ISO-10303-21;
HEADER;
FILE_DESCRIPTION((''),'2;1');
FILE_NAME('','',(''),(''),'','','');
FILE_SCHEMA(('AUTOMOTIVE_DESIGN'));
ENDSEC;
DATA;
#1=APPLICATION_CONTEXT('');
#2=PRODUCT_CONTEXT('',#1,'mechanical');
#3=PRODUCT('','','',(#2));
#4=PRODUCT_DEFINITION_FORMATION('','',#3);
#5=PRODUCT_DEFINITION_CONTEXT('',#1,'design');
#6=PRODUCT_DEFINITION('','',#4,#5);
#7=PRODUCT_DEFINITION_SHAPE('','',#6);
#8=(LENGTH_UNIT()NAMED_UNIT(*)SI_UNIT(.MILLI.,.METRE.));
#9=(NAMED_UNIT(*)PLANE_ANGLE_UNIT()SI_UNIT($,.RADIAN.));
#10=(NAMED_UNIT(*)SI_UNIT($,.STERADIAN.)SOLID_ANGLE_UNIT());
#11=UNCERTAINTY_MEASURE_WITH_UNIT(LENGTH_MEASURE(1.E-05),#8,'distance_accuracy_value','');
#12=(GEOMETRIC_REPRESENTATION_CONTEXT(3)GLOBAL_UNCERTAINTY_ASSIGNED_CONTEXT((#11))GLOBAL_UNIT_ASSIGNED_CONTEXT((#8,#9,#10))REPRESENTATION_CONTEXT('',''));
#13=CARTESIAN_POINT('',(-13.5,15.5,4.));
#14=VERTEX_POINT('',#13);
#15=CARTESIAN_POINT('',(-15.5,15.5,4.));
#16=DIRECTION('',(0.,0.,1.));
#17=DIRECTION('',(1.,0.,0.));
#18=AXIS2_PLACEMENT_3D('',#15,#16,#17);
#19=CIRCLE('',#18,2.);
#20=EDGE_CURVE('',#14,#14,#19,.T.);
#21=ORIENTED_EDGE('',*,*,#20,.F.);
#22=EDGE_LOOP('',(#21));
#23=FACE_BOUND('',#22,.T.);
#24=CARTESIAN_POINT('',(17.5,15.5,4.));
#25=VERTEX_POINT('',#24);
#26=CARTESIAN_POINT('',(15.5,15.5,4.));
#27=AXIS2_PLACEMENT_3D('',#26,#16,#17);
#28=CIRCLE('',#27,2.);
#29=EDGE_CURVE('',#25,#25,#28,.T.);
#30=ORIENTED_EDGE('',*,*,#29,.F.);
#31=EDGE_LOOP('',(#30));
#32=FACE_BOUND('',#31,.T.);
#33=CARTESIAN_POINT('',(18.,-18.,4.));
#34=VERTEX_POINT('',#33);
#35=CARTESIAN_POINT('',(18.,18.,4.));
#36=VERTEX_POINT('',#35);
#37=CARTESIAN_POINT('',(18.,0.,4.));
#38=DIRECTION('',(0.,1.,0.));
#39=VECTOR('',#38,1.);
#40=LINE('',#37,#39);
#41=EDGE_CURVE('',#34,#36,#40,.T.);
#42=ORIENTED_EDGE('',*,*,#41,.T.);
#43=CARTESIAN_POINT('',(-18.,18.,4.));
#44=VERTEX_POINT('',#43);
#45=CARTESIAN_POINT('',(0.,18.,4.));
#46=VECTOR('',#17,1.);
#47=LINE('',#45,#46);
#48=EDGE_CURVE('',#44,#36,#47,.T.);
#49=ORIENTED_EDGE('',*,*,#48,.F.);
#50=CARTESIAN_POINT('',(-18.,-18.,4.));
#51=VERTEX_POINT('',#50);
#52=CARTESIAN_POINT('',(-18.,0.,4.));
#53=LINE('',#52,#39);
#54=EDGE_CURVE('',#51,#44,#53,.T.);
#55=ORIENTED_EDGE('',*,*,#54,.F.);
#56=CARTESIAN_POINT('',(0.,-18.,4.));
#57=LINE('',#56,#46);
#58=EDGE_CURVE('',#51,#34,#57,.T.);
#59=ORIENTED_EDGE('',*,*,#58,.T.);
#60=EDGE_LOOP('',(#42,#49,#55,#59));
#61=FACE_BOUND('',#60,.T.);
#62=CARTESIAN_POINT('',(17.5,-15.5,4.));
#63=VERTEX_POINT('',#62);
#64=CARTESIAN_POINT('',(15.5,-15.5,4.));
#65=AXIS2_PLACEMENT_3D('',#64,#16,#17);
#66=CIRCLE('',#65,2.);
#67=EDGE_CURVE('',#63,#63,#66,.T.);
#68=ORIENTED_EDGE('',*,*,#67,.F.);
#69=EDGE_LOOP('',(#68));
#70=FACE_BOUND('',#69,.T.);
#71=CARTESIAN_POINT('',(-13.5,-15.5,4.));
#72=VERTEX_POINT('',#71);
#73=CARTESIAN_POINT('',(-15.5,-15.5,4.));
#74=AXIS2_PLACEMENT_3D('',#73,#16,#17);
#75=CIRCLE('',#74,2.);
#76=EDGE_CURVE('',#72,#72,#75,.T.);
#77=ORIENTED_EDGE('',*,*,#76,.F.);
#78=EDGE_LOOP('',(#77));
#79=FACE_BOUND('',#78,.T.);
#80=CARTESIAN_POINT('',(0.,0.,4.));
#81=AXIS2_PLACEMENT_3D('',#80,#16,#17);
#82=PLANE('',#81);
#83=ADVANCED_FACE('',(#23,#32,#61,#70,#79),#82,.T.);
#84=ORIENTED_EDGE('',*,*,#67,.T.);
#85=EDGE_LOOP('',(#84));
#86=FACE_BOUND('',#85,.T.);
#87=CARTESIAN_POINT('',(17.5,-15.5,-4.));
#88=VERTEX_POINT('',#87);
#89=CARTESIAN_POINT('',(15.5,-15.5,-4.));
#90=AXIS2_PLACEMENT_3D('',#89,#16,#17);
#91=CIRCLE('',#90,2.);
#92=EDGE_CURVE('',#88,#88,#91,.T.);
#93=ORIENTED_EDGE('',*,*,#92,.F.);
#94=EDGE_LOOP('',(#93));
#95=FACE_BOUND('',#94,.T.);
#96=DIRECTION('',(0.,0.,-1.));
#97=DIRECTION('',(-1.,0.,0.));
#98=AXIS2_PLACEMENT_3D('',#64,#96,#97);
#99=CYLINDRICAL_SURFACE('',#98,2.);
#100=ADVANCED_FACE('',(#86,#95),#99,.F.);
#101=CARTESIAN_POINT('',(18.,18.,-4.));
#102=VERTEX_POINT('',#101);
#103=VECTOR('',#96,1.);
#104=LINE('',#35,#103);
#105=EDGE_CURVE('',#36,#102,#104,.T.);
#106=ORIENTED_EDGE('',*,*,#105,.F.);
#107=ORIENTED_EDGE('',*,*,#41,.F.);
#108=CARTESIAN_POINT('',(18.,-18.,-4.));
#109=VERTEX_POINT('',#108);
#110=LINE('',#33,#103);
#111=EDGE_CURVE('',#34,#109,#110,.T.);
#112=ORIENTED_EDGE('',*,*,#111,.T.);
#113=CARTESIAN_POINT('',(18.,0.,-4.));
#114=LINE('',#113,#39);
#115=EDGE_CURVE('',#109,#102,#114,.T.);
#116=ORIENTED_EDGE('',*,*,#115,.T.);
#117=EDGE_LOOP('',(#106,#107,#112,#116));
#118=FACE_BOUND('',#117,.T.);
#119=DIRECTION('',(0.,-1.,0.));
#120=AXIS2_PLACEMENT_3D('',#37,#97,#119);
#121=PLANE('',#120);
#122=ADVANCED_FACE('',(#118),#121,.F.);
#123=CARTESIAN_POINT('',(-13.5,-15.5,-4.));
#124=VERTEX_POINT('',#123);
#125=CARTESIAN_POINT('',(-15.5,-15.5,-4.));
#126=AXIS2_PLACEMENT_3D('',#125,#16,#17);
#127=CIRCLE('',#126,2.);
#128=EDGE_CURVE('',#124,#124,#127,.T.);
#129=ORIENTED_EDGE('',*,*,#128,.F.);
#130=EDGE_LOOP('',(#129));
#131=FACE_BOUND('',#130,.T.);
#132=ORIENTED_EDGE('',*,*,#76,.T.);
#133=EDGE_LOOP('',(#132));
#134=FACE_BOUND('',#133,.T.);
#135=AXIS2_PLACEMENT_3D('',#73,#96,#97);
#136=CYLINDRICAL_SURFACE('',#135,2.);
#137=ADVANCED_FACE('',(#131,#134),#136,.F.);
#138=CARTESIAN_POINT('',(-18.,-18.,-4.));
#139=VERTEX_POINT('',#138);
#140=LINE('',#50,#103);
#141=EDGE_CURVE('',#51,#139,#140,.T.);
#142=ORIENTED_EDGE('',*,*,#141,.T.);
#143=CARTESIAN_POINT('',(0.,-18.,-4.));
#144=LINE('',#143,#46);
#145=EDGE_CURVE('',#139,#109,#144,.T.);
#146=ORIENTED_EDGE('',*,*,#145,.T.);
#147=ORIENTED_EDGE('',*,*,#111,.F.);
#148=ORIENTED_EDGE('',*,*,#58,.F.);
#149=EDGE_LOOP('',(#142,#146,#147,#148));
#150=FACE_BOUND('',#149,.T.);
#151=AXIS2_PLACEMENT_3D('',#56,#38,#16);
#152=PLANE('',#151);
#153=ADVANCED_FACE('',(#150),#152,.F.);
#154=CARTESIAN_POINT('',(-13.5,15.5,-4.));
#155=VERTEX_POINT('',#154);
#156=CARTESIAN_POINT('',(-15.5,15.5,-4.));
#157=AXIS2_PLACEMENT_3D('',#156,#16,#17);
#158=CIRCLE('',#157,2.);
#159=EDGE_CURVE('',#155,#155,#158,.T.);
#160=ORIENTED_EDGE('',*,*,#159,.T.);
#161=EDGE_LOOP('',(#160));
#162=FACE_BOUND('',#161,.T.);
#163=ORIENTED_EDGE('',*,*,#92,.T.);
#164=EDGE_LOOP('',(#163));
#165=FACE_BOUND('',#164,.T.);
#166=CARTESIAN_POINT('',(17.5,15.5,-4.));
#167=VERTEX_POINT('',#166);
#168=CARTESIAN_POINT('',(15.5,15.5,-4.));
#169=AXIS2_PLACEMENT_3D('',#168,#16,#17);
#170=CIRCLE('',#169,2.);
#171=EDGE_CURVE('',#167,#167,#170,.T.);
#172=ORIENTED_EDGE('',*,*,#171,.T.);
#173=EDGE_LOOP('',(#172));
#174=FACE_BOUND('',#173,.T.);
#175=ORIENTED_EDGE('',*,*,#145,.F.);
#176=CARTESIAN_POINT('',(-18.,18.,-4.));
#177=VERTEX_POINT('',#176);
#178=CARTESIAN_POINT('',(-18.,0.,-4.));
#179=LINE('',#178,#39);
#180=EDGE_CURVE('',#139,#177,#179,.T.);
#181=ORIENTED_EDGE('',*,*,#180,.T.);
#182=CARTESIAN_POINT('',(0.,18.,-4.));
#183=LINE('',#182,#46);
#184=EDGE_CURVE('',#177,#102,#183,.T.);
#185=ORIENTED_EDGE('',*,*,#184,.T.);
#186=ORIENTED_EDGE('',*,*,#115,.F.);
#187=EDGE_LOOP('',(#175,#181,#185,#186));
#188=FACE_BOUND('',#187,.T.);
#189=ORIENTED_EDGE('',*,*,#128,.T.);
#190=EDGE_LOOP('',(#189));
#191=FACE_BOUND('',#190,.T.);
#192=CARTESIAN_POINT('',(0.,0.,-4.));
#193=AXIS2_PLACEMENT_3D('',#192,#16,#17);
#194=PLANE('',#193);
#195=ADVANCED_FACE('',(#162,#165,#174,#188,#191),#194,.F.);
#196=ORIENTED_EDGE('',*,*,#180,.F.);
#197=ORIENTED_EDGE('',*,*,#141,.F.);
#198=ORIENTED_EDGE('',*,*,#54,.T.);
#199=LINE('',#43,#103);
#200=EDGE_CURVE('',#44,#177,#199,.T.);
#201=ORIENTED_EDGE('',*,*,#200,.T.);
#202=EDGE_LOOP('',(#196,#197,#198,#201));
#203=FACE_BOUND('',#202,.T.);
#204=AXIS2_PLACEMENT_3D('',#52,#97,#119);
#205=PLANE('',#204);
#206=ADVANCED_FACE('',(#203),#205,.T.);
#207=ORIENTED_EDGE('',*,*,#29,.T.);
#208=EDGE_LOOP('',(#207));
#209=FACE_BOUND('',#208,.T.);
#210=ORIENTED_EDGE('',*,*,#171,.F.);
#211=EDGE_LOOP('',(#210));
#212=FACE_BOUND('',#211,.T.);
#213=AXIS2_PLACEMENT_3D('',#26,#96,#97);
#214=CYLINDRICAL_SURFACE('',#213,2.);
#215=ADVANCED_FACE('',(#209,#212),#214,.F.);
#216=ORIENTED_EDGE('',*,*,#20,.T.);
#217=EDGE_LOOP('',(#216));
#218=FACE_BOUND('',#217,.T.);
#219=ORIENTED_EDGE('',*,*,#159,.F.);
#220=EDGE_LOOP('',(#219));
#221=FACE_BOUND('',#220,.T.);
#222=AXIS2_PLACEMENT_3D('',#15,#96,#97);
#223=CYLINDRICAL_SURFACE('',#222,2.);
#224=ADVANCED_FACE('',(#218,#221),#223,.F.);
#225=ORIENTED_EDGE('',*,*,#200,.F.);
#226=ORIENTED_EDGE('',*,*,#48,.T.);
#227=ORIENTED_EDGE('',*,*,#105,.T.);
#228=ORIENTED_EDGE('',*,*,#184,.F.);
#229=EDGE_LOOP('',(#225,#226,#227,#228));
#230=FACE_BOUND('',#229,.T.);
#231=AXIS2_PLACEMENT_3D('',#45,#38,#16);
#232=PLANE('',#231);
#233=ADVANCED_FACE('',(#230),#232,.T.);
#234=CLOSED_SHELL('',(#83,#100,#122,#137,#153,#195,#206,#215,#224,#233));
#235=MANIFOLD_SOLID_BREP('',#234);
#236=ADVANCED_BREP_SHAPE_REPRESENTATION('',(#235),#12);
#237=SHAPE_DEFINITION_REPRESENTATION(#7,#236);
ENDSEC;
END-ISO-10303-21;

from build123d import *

# Parameters (mm, degrees)
SKETCH1_W           = 36
SKETCH1_H           = 36
SKETCH1_R           = 2
BOSS_EXTRUDE1_DEPTH = 4


with BuildPart() as part:
    # Sketch1 → Boss-Extrude1 (new, symmetric)
    with BuildSketch(Plane.XY):
        Rectangle(SKETCH1_W, SKETCH1_H)
        with Locations((-15.5, -15.5)):
            Circle(SKETCH1_R, mode=Mode.SUBTRACT)
        with Locations((15.5, -15.5)):
            Circle(SKETCH1_R, mode=Mode.SUBTRACT)
        with Locations((15.5, 15.5)):
            Circle(SKETCH1_R, mode=Mode.SUBTRACT)
        with Locations((-15.5, 15.5)):
            Circle(SKETCH1_R, mode=Mode.SUBTRACT)
    extrude(amount=BOSS_EXTRUDE1_DEPTH, both=True)


solid = part.part
